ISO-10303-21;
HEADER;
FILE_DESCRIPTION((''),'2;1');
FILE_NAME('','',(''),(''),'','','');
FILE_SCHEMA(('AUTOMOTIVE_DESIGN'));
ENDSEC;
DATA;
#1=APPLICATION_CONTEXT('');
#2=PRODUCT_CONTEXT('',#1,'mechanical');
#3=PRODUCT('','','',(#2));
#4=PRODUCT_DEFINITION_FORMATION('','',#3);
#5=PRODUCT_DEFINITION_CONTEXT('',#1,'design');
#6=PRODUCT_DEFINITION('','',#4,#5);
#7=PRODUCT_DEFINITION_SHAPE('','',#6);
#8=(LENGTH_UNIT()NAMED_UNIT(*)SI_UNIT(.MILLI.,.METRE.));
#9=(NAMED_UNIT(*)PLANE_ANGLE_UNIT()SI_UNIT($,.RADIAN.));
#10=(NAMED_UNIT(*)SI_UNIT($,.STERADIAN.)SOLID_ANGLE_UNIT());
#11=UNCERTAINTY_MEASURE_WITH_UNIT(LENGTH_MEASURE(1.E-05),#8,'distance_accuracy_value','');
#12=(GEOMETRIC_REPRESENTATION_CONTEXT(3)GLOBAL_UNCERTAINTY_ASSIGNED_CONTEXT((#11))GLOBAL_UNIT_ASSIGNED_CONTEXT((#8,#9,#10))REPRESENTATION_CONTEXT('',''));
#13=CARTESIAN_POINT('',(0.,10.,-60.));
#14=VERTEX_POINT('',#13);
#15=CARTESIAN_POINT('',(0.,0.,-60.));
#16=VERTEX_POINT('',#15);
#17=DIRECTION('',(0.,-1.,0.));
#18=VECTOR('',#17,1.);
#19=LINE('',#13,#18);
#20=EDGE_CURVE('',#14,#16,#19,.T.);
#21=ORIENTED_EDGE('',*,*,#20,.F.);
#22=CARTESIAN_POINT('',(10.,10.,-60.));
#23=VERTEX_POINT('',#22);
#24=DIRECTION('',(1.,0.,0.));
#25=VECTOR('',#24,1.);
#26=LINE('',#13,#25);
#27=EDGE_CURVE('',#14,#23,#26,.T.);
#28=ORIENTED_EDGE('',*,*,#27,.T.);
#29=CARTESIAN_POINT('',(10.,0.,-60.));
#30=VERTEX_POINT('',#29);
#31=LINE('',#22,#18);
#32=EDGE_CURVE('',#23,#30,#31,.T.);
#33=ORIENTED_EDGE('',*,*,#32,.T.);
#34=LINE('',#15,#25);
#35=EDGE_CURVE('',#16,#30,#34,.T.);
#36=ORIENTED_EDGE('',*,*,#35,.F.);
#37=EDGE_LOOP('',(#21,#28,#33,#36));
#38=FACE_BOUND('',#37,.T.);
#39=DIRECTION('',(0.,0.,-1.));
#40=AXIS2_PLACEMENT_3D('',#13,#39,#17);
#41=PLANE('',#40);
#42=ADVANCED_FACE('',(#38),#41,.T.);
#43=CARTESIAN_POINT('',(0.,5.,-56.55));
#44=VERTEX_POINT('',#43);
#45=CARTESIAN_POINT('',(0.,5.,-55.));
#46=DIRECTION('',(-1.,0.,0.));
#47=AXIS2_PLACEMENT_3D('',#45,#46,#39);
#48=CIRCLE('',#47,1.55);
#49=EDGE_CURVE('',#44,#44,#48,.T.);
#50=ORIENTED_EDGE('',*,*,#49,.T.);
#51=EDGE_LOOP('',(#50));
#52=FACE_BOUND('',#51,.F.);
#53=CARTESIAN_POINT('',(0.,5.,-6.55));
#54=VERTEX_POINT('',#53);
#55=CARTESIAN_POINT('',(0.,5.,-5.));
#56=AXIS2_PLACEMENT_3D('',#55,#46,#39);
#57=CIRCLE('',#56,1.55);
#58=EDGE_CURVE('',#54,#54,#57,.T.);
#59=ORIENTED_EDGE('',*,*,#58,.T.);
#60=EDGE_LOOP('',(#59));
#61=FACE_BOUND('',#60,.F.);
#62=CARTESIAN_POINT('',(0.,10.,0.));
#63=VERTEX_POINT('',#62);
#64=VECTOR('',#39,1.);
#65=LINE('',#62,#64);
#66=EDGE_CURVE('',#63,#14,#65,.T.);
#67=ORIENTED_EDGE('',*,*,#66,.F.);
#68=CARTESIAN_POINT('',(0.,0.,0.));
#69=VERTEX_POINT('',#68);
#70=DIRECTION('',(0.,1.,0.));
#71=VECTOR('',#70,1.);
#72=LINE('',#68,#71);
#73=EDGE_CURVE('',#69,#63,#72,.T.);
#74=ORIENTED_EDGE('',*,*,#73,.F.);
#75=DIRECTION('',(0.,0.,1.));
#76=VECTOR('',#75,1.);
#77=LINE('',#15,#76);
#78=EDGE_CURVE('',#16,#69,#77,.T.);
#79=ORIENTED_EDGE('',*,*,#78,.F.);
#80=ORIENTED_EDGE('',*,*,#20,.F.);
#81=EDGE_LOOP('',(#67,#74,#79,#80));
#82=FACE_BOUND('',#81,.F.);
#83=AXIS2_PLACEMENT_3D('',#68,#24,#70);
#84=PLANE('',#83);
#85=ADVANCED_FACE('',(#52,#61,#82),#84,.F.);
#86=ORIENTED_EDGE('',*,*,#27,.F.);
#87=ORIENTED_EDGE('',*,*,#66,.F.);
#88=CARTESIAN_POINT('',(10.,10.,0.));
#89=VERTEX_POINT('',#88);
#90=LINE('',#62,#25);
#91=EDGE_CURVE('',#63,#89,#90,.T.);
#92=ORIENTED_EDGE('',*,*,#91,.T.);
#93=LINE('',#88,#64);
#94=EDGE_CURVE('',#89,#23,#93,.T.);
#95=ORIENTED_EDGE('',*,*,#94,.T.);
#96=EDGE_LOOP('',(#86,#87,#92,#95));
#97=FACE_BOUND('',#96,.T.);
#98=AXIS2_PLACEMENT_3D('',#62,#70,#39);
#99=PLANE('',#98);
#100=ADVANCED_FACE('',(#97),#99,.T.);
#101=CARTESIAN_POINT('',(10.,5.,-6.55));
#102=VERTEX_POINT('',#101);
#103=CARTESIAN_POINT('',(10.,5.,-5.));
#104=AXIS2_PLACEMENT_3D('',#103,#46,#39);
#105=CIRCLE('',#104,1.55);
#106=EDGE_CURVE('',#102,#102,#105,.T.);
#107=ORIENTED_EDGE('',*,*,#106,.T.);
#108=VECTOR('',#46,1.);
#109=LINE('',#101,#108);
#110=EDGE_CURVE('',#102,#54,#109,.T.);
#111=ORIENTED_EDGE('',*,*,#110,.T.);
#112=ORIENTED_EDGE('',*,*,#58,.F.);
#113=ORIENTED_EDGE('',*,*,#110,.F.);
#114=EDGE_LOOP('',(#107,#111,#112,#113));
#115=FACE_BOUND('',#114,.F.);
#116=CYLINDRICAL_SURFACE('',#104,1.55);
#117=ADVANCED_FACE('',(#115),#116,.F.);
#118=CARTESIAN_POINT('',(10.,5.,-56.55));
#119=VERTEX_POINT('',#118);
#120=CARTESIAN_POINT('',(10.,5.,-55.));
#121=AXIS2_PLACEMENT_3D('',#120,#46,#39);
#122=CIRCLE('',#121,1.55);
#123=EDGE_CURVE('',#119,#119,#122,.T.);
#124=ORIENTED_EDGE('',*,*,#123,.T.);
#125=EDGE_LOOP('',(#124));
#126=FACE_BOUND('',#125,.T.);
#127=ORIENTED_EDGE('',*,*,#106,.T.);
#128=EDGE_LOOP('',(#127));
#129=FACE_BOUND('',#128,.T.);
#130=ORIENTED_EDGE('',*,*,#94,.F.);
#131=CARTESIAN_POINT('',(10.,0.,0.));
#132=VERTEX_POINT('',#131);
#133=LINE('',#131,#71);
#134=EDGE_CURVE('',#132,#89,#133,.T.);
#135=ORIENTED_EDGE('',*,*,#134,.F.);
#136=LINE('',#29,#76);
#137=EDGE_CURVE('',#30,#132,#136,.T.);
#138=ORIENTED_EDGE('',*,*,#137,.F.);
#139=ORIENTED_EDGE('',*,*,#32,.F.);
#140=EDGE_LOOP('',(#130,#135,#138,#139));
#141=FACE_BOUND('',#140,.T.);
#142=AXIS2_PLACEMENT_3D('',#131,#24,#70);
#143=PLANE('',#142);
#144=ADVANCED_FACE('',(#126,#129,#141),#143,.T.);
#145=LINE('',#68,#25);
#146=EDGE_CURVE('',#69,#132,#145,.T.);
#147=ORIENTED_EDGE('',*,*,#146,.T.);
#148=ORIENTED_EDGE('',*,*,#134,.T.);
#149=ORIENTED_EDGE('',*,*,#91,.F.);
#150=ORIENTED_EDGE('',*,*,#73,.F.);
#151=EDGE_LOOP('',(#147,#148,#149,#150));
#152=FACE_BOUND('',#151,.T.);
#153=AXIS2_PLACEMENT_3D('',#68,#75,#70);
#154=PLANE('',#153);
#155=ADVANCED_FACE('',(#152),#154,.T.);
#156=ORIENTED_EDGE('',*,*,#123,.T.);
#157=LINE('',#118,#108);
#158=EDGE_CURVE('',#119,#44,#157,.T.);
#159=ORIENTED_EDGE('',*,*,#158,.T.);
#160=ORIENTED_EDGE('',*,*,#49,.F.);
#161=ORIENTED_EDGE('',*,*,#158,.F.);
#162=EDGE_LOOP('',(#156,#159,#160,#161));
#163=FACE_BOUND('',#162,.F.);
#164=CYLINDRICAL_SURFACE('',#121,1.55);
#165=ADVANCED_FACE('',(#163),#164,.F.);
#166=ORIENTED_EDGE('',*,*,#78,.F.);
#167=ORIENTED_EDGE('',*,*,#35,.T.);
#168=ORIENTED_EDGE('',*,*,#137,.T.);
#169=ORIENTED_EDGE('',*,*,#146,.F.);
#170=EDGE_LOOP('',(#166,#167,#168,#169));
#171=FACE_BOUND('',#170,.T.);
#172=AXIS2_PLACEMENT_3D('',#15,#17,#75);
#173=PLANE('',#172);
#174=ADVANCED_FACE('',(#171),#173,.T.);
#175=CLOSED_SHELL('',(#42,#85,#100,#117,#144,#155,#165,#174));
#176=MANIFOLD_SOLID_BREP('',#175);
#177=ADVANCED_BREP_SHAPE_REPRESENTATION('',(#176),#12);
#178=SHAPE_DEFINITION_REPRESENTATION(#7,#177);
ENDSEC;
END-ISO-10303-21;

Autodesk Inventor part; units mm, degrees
ref_plane "YZ Plane" through (0, 0, 0) normal (1, 0, 0) x (0, 1, 0)
ref_plane "XZ Plane" through (0, 0, 0) normal (0, 1, 0) x (-1, 0, 0)
ref_plane "XY Plane" through (0, 0, 0) normal (0, 0, 1) x (1, 0, 0)
sketch "スケッチ1" plane through (0, 0, 0) normal (1, 0, 0) x (0, 1, 0)
  line L0 (0, 0) -> (10, 0)
  line L1 (10, 0) -> (10, -60)
  line L2 (10, -60) -> (0, -60)
  line L3 (0, -60) -> (0, 0)
  dimension "d0" = 10
  dimension "d1" = 60
extrude "押し出し1" add sketch "スケッチ1" along normal blind 10
sketch "スケッチ2" plane through (10, 0, 0) normal (1, 0, 0) x (0, 0, -1)
  line L0 (0, 10) -> (0, 0) projected
  line L1 (60, 0) -> (60, 10) projected
  point P0 (5, 5)
  point P1 (55, 5)
  point P2 (0, 5)
  point P3 (60, 5)
  point P4 (0, 5)
  point P5 (60, 5)
  dimension "d4" = 5
  dimension "d5" = 5
hole "穴1" at (10, 5, -5) at (10, 5, -55) direction (-1, 0, 0) diameter 3.1 end through all
properties part number "DaiUe"
